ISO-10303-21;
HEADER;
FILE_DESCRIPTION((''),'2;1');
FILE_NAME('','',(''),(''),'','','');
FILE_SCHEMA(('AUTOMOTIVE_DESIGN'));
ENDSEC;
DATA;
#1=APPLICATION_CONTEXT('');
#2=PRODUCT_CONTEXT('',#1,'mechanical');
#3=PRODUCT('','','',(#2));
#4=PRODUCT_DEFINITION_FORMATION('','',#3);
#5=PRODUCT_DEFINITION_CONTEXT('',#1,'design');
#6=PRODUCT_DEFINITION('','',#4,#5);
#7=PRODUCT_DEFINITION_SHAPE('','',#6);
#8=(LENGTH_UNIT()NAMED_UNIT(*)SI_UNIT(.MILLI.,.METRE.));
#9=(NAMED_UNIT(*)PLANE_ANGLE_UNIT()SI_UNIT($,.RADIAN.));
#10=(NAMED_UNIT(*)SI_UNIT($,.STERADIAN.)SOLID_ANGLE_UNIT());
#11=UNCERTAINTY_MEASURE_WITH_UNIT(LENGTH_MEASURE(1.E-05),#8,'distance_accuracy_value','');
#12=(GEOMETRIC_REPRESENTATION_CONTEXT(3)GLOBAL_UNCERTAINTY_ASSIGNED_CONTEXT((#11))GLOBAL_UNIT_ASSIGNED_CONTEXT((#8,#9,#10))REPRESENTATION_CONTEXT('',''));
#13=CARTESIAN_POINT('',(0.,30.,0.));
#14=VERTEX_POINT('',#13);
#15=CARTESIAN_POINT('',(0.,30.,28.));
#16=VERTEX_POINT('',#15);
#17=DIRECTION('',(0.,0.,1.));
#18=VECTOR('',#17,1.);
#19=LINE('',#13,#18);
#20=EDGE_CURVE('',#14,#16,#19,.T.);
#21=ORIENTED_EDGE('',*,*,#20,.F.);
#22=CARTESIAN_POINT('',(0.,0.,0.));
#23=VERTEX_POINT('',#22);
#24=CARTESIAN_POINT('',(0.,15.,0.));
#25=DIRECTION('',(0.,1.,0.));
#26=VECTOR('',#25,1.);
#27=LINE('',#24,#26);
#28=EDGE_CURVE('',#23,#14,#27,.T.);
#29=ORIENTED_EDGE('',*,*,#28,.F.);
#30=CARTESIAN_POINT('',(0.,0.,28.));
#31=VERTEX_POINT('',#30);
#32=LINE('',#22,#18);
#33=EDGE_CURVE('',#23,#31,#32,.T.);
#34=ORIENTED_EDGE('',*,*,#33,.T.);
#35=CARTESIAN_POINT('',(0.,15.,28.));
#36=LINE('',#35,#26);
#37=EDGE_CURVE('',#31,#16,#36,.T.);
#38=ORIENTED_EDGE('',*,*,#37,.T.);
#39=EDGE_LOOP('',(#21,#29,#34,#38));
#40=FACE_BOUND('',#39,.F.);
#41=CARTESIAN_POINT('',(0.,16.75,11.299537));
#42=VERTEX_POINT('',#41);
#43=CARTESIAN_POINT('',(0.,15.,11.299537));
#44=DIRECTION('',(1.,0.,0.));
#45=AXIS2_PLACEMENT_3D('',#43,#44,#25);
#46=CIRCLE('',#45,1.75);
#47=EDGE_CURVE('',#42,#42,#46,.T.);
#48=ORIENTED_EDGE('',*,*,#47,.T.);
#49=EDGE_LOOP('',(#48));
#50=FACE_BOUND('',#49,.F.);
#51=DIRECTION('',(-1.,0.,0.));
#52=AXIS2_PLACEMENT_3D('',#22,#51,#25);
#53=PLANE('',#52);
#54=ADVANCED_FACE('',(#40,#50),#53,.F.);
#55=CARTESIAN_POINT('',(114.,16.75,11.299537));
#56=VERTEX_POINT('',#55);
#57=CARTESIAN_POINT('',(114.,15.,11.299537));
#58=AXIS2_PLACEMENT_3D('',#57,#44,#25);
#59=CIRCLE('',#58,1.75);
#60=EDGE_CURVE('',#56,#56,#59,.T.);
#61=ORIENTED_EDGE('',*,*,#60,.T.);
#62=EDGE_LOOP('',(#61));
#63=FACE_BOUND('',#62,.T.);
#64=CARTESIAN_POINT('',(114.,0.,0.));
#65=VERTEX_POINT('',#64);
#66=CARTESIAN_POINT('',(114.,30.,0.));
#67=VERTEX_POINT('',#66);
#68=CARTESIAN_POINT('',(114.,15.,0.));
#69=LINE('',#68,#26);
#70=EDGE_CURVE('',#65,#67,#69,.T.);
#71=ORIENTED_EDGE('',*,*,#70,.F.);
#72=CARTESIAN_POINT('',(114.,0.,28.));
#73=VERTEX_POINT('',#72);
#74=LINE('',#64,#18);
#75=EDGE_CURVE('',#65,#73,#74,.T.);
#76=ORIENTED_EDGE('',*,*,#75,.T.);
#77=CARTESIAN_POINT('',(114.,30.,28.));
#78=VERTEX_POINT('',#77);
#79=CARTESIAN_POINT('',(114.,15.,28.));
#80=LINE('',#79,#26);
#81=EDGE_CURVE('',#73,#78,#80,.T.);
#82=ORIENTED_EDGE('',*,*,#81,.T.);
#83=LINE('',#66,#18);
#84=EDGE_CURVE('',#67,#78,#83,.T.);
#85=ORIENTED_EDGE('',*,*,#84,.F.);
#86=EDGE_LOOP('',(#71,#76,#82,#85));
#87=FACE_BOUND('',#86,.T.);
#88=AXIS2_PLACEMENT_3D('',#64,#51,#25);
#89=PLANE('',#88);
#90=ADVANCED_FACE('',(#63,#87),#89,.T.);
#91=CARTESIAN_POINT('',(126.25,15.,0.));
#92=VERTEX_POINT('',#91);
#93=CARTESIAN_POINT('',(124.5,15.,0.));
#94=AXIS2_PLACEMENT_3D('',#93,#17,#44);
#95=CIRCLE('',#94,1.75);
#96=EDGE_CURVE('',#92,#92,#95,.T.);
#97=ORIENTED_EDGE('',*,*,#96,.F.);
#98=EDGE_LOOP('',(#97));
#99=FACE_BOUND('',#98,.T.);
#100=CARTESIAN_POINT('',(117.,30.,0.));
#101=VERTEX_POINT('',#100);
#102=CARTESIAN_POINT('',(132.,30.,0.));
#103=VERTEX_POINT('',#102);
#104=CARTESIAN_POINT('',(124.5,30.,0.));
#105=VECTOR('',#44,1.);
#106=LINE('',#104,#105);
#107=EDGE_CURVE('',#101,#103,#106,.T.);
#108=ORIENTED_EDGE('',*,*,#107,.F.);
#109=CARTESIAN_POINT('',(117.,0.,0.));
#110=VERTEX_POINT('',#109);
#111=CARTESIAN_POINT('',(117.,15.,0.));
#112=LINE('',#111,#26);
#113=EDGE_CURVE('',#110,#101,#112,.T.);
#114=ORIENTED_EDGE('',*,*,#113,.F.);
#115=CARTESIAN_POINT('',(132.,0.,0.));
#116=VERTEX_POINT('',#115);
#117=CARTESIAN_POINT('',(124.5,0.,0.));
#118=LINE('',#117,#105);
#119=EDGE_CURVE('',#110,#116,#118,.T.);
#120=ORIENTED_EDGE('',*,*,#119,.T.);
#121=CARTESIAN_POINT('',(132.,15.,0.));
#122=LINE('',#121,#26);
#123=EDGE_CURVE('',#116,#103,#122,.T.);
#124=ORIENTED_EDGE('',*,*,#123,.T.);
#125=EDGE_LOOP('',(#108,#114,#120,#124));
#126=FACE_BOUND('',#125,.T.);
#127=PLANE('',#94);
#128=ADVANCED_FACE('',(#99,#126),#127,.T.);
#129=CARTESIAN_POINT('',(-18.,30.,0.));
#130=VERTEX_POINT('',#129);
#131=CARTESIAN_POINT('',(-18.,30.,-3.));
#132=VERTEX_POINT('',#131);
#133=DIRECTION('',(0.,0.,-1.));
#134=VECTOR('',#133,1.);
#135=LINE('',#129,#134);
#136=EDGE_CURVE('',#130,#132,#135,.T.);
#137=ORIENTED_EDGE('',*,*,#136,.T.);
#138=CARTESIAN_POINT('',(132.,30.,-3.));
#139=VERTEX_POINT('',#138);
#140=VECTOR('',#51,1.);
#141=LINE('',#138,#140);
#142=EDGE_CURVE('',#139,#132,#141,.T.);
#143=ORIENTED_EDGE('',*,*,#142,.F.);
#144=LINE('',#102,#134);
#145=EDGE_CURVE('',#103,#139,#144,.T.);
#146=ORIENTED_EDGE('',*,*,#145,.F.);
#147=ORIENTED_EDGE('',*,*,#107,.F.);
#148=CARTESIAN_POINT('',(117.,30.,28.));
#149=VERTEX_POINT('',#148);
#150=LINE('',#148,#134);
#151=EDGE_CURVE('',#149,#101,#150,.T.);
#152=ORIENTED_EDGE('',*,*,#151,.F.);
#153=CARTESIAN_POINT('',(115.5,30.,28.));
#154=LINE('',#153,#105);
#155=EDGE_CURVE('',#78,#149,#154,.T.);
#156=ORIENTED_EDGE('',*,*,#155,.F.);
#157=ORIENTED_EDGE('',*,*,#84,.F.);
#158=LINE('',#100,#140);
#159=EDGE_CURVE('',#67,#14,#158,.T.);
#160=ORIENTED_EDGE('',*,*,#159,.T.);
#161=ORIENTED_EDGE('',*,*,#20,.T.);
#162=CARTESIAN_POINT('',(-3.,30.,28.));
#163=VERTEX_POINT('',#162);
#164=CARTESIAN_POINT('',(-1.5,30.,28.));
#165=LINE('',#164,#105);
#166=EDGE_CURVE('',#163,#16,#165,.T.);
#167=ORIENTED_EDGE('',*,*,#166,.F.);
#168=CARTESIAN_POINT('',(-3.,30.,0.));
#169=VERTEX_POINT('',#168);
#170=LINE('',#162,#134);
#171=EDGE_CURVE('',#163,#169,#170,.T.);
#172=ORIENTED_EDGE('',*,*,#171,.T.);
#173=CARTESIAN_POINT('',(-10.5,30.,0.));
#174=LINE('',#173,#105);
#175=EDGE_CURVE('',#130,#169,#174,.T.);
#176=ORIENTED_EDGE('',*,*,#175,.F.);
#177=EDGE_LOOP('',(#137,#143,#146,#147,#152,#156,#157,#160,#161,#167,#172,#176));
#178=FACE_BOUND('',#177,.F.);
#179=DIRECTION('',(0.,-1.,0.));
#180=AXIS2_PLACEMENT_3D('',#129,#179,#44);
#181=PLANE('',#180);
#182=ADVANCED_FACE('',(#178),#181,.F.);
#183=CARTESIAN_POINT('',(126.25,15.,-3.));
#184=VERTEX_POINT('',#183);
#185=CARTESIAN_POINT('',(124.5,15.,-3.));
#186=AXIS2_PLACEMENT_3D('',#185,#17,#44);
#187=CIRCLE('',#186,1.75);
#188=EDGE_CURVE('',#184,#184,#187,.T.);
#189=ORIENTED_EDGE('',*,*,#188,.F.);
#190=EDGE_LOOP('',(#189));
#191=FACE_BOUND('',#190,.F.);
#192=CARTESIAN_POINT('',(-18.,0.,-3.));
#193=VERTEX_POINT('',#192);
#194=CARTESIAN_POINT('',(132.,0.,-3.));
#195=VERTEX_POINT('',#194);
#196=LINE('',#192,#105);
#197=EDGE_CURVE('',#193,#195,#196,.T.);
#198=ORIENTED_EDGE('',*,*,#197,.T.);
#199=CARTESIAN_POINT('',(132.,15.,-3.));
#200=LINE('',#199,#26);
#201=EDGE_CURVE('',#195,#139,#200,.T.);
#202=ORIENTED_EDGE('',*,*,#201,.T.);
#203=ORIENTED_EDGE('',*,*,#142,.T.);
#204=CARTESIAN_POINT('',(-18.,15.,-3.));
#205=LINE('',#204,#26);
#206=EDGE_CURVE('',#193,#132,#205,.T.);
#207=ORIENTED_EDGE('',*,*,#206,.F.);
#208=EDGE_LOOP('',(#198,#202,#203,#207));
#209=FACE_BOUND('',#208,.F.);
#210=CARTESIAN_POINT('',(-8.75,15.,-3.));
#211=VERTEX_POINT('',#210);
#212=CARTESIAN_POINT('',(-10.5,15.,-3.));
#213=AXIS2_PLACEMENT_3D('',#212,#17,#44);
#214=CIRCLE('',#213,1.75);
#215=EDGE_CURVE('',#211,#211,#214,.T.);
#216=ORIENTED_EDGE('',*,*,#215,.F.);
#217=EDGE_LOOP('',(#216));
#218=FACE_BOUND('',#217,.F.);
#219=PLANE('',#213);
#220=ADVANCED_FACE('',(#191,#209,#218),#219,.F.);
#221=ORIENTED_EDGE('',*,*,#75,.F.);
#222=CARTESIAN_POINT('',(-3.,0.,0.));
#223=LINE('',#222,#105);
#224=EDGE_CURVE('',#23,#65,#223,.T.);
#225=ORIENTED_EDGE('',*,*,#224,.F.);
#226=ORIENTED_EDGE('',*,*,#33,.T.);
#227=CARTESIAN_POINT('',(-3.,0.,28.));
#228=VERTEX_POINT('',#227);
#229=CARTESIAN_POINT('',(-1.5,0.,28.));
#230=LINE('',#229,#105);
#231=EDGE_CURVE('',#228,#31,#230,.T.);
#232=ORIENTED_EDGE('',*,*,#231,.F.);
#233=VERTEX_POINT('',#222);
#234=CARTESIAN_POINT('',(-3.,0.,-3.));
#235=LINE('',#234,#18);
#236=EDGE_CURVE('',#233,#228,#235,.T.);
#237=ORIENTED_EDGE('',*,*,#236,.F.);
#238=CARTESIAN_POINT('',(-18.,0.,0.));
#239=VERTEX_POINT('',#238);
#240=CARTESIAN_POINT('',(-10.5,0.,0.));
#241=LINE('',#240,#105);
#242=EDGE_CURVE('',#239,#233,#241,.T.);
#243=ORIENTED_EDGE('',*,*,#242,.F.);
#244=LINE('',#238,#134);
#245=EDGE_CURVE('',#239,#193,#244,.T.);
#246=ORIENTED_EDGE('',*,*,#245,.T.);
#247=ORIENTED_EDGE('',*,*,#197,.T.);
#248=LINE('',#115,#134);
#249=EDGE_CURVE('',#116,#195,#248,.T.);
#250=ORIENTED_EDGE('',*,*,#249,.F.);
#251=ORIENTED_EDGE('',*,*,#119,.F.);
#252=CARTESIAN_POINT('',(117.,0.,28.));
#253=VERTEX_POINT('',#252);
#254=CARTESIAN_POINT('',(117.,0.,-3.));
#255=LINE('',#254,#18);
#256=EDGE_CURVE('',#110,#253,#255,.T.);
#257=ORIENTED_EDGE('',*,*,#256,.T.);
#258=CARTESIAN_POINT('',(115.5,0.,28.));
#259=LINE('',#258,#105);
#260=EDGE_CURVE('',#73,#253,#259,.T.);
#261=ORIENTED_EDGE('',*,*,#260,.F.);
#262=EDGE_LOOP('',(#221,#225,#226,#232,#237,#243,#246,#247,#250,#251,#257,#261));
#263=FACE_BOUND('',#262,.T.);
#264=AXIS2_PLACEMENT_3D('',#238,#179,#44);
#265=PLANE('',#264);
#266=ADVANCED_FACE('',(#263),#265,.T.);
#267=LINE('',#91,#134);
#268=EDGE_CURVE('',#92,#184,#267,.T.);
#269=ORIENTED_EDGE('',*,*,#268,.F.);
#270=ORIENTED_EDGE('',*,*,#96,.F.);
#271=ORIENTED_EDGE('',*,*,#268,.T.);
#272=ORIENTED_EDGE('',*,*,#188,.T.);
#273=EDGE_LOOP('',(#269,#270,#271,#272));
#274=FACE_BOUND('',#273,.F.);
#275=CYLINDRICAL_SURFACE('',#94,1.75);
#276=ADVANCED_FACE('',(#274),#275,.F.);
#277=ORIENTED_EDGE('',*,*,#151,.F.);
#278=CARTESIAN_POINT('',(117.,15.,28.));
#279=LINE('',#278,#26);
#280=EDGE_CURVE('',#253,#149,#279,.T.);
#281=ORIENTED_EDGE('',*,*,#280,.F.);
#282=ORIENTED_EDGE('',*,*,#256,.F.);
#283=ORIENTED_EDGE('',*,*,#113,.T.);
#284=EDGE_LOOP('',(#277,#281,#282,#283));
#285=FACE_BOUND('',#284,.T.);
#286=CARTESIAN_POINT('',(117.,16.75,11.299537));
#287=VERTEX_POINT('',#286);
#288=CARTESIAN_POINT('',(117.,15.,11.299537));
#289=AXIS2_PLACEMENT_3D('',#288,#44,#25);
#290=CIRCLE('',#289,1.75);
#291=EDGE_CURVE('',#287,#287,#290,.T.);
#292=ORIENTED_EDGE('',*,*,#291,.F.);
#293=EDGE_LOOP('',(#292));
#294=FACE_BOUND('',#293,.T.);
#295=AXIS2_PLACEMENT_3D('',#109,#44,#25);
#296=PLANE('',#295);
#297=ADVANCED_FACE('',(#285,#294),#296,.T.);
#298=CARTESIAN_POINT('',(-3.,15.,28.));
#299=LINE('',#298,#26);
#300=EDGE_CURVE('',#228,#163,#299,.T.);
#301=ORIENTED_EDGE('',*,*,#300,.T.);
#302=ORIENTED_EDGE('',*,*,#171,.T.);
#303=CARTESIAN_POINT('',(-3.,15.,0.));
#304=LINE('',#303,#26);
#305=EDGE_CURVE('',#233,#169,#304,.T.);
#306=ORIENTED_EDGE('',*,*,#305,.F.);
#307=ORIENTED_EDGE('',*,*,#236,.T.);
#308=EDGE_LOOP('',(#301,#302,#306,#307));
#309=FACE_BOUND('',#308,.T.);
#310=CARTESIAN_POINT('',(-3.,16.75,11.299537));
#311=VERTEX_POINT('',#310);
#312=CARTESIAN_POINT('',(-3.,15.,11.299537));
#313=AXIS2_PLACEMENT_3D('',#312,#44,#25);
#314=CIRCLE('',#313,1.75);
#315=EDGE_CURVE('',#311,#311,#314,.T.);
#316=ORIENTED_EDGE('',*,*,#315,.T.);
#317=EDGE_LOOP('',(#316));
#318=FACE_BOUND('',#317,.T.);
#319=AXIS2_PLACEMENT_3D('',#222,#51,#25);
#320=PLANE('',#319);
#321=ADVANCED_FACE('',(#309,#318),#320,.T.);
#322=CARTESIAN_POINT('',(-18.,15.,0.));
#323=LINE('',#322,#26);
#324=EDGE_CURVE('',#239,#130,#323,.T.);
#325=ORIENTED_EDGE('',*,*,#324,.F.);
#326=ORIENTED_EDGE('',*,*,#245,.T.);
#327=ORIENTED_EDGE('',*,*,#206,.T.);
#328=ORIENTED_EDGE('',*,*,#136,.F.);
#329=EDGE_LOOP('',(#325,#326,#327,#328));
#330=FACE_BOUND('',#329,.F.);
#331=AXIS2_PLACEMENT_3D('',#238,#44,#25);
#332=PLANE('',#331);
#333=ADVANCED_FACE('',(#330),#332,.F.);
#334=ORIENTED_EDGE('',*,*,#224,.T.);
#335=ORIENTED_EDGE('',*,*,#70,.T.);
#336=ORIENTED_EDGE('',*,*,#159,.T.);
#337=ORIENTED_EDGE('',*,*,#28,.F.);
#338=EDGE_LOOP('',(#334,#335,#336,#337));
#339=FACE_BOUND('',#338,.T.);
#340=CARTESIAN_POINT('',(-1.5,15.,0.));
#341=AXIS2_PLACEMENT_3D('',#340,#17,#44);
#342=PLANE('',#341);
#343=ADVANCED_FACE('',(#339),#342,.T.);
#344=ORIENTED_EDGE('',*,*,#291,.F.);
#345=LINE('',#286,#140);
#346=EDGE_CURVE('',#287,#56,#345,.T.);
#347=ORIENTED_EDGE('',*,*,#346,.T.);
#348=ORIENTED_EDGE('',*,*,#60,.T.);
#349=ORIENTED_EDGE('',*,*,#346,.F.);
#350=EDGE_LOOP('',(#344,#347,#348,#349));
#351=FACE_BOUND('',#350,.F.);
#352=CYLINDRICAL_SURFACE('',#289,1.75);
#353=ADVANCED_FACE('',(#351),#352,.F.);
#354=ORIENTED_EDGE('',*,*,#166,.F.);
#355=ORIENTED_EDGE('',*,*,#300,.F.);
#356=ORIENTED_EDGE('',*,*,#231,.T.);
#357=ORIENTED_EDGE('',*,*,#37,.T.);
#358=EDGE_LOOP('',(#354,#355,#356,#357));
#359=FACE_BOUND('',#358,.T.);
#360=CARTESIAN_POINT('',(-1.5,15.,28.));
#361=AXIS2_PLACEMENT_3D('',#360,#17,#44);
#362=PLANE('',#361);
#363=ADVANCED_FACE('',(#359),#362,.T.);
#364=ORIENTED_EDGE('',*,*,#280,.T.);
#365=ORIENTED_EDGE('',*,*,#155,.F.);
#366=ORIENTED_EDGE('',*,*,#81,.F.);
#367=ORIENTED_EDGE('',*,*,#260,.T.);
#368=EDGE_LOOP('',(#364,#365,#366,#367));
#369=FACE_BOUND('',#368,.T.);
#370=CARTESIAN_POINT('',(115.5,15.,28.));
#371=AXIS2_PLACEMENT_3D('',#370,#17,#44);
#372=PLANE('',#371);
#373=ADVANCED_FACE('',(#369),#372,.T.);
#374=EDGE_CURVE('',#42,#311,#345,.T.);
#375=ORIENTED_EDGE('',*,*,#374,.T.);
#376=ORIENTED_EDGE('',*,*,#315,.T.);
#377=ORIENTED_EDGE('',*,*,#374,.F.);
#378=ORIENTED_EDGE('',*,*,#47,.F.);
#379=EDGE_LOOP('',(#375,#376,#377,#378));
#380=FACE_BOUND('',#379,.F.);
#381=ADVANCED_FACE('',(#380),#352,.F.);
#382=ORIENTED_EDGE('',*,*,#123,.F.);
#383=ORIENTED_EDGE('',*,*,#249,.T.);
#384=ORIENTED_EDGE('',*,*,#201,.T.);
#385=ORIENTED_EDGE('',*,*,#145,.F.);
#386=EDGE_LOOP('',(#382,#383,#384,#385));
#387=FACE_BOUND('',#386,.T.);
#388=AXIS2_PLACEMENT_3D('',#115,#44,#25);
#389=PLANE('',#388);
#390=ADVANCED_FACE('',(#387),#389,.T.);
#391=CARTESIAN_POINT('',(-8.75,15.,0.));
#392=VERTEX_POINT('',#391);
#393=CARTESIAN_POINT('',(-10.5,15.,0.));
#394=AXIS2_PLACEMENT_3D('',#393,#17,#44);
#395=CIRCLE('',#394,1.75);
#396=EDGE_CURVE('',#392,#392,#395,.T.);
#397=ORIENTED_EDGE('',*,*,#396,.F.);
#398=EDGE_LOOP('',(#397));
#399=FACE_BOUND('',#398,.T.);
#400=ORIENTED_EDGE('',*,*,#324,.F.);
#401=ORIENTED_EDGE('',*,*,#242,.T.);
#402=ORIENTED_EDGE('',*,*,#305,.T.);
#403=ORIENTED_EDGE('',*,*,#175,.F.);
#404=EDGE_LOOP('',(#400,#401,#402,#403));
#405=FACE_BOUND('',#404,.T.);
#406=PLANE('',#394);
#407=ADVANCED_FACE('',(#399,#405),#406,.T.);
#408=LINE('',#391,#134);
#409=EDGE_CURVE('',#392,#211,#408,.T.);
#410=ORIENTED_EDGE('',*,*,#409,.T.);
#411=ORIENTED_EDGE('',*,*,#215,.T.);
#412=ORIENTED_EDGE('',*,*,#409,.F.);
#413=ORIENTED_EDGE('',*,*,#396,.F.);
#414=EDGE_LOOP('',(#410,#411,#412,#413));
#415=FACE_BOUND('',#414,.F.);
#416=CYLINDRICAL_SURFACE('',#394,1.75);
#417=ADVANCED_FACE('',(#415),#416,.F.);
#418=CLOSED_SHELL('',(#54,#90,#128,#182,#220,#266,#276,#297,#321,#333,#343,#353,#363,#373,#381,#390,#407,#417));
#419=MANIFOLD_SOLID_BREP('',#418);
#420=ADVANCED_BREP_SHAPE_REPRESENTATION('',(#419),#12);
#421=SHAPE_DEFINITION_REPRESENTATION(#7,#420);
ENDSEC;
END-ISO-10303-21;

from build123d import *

# Parameters (mm, degrees)
F0_W     = 3
F0_H     = 30
F0_W_2   = 114
F1_DEPTH = 3
F2_DEPTH = 28
F0_W_3   = 15
F0_R     = 1.75
F3_DEPTH = 3
F4_R     = 1.75
F5_DEPTH = 200


with BuildPart() as f1:
    # F0 (on Top) → F1 (new body)
    with BuildSketch(Plane.XY):
        with Locations((-1.5, 15)):
            Rectangle(F0_W, F0_H)
        with Locations((57, 15)):
            Rectangle(F0_W_2, F0_H)
        with Locations((115.5, 15)):
            Rectangle(F0_W, F0_H)
    extrude(amount=-F1_DEPTH)

    # F0 (on Top) → F2 (join)
    with BuildSketch(Plane.XY):
        with Locations((-1.5, 15)):
            Rectangle(F0_W, F0_H)
        with Locations((115.5, 15)):
            Rectangle(F0_W, F0_H)
    extrude(amount=F2_DEPTH)

    # F0 (on Top) → F3 (join)
    with BuildSketch(Plane.XY):
        with Locations((-10.5, 15)):
            Rectangle(F0_W_3, F0_H)
        with Locations((-10.5, 15)):
            Circle(F0_R, mode=Mode.SUBTRACT)
        with Locations((124.5, 15)):
            Rectangle(F0_W_3, F0_H)
        with Locations((124.5, 15)):
            Circle(F0_R, mode=Mode.SUBTRACT)
    extrude(amount=-F3_DEPTH)

    # F4 (on face) → F5 (cut)
    with BuildSketch(Plane.YZ.offset(117)):
        with Locations((15, 11.299537)):
            Circle(F4_R)
    extrude(amount=-F5_DEPTH, mode=Mode.SUBTRACT)


solid = f1.part
